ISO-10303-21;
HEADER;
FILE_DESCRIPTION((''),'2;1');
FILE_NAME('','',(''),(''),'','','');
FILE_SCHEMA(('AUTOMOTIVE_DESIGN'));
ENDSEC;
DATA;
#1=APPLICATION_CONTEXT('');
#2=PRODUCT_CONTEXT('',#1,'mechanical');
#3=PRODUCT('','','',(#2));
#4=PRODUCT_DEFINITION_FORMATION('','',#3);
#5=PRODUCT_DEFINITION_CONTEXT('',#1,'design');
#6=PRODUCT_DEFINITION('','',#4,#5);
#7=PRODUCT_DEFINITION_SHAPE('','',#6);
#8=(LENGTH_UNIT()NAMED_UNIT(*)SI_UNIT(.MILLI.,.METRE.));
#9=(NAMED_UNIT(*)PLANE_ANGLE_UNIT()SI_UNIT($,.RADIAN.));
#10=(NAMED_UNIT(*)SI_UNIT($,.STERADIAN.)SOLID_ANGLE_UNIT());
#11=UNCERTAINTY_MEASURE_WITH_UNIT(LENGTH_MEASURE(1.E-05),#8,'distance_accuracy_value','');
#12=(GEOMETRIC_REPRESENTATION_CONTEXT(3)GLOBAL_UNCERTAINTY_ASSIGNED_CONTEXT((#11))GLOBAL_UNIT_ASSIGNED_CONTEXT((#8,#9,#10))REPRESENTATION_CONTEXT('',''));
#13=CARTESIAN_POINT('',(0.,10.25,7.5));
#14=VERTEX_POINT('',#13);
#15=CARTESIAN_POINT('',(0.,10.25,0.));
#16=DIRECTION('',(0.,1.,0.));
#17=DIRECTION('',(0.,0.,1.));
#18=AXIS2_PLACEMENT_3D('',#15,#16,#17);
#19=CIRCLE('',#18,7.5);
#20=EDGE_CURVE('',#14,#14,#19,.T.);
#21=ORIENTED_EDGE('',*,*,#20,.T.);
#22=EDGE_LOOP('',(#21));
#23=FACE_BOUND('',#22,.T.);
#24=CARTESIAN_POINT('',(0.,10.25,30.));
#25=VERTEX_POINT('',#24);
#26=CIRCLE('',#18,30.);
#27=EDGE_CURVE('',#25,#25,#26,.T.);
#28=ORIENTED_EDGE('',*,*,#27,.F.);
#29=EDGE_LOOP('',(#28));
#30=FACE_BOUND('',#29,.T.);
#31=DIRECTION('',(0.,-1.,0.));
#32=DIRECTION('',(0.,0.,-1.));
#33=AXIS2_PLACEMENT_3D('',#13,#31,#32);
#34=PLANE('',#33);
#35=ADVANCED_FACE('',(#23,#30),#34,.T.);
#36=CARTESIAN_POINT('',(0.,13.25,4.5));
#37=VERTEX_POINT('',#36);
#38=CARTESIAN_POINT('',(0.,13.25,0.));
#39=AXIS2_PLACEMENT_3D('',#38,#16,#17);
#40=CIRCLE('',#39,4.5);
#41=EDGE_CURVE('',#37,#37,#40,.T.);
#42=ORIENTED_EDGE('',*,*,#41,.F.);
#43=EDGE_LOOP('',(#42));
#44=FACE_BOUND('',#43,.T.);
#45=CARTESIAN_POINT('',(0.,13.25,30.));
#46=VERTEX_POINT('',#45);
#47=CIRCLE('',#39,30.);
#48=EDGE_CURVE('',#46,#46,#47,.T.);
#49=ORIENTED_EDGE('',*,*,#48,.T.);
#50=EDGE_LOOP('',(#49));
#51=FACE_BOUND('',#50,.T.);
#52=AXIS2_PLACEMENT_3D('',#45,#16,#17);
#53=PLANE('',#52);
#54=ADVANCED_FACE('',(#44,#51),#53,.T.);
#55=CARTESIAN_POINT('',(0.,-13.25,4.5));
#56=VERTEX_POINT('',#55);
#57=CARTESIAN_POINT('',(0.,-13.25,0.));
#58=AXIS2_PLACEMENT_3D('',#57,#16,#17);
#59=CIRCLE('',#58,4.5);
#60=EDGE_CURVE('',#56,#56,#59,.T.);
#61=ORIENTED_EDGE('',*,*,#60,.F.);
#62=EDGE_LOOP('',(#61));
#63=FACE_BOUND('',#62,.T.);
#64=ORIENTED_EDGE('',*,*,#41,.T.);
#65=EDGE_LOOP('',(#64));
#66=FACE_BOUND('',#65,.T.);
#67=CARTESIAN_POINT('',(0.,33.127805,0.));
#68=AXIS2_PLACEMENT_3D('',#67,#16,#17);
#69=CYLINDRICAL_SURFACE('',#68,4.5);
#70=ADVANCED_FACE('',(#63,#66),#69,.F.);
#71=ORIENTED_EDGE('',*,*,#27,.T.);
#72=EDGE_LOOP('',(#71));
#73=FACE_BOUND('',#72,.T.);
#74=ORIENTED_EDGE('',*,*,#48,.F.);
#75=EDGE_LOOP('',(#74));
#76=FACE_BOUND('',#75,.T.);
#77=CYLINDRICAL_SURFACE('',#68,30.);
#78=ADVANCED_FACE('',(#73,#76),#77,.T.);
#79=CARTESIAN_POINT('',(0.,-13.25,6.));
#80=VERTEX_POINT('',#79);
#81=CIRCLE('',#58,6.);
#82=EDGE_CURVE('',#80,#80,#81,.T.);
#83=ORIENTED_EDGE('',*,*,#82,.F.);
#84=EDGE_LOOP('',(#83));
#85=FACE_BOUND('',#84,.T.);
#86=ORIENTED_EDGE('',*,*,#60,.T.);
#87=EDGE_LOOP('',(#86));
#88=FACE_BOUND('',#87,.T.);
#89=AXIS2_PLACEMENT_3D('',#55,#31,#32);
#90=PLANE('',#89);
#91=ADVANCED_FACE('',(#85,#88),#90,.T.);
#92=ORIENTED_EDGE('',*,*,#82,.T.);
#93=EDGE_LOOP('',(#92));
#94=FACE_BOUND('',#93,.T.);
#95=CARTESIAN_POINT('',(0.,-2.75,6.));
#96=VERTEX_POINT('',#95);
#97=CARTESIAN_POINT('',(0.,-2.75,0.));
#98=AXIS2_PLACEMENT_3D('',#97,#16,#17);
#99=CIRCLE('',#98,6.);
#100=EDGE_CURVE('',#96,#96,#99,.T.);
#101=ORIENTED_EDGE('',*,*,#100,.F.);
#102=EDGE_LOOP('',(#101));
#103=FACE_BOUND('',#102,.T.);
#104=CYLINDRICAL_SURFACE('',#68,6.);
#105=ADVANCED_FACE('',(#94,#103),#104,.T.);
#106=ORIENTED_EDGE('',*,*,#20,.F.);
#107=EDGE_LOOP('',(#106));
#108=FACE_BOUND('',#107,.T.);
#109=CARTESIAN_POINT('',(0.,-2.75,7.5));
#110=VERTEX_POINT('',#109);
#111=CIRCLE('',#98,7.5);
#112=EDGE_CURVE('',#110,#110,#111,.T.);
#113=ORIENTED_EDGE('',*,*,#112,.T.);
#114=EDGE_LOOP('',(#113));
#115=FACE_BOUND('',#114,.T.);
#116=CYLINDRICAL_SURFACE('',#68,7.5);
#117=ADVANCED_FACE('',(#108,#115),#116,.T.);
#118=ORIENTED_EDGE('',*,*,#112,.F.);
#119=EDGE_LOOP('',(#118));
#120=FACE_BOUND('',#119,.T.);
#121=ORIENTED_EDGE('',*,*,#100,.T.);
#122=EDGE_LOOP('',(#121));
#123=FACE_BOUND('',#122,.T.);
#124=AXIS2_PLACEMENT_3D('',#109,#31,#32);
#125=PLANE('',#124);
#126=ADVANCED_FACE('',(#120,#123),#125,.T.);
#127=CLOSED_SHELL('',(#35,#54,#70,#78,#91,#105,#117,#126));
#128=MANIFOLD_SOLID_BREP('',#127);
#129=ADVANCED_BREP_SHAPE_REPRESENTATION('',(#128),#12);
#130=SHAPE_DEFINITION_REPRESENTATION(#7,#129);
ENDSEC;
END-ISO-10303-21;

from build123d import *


with BuildPart() as part:
    # Sketch1 → Revolve1 (revolve)
    with BuildSketch(Plane(origin=(0, 0, 0), x_dir=(0, 0, -1), z_dir=(1, 0, 0))):
        Polygon((-7.5, -2.75), (-7.5, 10.25), (-30, 10.25), (-30, 13.25), (-4.5, 13.25), (-4.5, -13.25), (-6, -13.25), (-6, -2.75), align=None)
    revolve(axis=Axis((0, 33.12780523, 0), (0, -1, 0)))


solid = part.part
